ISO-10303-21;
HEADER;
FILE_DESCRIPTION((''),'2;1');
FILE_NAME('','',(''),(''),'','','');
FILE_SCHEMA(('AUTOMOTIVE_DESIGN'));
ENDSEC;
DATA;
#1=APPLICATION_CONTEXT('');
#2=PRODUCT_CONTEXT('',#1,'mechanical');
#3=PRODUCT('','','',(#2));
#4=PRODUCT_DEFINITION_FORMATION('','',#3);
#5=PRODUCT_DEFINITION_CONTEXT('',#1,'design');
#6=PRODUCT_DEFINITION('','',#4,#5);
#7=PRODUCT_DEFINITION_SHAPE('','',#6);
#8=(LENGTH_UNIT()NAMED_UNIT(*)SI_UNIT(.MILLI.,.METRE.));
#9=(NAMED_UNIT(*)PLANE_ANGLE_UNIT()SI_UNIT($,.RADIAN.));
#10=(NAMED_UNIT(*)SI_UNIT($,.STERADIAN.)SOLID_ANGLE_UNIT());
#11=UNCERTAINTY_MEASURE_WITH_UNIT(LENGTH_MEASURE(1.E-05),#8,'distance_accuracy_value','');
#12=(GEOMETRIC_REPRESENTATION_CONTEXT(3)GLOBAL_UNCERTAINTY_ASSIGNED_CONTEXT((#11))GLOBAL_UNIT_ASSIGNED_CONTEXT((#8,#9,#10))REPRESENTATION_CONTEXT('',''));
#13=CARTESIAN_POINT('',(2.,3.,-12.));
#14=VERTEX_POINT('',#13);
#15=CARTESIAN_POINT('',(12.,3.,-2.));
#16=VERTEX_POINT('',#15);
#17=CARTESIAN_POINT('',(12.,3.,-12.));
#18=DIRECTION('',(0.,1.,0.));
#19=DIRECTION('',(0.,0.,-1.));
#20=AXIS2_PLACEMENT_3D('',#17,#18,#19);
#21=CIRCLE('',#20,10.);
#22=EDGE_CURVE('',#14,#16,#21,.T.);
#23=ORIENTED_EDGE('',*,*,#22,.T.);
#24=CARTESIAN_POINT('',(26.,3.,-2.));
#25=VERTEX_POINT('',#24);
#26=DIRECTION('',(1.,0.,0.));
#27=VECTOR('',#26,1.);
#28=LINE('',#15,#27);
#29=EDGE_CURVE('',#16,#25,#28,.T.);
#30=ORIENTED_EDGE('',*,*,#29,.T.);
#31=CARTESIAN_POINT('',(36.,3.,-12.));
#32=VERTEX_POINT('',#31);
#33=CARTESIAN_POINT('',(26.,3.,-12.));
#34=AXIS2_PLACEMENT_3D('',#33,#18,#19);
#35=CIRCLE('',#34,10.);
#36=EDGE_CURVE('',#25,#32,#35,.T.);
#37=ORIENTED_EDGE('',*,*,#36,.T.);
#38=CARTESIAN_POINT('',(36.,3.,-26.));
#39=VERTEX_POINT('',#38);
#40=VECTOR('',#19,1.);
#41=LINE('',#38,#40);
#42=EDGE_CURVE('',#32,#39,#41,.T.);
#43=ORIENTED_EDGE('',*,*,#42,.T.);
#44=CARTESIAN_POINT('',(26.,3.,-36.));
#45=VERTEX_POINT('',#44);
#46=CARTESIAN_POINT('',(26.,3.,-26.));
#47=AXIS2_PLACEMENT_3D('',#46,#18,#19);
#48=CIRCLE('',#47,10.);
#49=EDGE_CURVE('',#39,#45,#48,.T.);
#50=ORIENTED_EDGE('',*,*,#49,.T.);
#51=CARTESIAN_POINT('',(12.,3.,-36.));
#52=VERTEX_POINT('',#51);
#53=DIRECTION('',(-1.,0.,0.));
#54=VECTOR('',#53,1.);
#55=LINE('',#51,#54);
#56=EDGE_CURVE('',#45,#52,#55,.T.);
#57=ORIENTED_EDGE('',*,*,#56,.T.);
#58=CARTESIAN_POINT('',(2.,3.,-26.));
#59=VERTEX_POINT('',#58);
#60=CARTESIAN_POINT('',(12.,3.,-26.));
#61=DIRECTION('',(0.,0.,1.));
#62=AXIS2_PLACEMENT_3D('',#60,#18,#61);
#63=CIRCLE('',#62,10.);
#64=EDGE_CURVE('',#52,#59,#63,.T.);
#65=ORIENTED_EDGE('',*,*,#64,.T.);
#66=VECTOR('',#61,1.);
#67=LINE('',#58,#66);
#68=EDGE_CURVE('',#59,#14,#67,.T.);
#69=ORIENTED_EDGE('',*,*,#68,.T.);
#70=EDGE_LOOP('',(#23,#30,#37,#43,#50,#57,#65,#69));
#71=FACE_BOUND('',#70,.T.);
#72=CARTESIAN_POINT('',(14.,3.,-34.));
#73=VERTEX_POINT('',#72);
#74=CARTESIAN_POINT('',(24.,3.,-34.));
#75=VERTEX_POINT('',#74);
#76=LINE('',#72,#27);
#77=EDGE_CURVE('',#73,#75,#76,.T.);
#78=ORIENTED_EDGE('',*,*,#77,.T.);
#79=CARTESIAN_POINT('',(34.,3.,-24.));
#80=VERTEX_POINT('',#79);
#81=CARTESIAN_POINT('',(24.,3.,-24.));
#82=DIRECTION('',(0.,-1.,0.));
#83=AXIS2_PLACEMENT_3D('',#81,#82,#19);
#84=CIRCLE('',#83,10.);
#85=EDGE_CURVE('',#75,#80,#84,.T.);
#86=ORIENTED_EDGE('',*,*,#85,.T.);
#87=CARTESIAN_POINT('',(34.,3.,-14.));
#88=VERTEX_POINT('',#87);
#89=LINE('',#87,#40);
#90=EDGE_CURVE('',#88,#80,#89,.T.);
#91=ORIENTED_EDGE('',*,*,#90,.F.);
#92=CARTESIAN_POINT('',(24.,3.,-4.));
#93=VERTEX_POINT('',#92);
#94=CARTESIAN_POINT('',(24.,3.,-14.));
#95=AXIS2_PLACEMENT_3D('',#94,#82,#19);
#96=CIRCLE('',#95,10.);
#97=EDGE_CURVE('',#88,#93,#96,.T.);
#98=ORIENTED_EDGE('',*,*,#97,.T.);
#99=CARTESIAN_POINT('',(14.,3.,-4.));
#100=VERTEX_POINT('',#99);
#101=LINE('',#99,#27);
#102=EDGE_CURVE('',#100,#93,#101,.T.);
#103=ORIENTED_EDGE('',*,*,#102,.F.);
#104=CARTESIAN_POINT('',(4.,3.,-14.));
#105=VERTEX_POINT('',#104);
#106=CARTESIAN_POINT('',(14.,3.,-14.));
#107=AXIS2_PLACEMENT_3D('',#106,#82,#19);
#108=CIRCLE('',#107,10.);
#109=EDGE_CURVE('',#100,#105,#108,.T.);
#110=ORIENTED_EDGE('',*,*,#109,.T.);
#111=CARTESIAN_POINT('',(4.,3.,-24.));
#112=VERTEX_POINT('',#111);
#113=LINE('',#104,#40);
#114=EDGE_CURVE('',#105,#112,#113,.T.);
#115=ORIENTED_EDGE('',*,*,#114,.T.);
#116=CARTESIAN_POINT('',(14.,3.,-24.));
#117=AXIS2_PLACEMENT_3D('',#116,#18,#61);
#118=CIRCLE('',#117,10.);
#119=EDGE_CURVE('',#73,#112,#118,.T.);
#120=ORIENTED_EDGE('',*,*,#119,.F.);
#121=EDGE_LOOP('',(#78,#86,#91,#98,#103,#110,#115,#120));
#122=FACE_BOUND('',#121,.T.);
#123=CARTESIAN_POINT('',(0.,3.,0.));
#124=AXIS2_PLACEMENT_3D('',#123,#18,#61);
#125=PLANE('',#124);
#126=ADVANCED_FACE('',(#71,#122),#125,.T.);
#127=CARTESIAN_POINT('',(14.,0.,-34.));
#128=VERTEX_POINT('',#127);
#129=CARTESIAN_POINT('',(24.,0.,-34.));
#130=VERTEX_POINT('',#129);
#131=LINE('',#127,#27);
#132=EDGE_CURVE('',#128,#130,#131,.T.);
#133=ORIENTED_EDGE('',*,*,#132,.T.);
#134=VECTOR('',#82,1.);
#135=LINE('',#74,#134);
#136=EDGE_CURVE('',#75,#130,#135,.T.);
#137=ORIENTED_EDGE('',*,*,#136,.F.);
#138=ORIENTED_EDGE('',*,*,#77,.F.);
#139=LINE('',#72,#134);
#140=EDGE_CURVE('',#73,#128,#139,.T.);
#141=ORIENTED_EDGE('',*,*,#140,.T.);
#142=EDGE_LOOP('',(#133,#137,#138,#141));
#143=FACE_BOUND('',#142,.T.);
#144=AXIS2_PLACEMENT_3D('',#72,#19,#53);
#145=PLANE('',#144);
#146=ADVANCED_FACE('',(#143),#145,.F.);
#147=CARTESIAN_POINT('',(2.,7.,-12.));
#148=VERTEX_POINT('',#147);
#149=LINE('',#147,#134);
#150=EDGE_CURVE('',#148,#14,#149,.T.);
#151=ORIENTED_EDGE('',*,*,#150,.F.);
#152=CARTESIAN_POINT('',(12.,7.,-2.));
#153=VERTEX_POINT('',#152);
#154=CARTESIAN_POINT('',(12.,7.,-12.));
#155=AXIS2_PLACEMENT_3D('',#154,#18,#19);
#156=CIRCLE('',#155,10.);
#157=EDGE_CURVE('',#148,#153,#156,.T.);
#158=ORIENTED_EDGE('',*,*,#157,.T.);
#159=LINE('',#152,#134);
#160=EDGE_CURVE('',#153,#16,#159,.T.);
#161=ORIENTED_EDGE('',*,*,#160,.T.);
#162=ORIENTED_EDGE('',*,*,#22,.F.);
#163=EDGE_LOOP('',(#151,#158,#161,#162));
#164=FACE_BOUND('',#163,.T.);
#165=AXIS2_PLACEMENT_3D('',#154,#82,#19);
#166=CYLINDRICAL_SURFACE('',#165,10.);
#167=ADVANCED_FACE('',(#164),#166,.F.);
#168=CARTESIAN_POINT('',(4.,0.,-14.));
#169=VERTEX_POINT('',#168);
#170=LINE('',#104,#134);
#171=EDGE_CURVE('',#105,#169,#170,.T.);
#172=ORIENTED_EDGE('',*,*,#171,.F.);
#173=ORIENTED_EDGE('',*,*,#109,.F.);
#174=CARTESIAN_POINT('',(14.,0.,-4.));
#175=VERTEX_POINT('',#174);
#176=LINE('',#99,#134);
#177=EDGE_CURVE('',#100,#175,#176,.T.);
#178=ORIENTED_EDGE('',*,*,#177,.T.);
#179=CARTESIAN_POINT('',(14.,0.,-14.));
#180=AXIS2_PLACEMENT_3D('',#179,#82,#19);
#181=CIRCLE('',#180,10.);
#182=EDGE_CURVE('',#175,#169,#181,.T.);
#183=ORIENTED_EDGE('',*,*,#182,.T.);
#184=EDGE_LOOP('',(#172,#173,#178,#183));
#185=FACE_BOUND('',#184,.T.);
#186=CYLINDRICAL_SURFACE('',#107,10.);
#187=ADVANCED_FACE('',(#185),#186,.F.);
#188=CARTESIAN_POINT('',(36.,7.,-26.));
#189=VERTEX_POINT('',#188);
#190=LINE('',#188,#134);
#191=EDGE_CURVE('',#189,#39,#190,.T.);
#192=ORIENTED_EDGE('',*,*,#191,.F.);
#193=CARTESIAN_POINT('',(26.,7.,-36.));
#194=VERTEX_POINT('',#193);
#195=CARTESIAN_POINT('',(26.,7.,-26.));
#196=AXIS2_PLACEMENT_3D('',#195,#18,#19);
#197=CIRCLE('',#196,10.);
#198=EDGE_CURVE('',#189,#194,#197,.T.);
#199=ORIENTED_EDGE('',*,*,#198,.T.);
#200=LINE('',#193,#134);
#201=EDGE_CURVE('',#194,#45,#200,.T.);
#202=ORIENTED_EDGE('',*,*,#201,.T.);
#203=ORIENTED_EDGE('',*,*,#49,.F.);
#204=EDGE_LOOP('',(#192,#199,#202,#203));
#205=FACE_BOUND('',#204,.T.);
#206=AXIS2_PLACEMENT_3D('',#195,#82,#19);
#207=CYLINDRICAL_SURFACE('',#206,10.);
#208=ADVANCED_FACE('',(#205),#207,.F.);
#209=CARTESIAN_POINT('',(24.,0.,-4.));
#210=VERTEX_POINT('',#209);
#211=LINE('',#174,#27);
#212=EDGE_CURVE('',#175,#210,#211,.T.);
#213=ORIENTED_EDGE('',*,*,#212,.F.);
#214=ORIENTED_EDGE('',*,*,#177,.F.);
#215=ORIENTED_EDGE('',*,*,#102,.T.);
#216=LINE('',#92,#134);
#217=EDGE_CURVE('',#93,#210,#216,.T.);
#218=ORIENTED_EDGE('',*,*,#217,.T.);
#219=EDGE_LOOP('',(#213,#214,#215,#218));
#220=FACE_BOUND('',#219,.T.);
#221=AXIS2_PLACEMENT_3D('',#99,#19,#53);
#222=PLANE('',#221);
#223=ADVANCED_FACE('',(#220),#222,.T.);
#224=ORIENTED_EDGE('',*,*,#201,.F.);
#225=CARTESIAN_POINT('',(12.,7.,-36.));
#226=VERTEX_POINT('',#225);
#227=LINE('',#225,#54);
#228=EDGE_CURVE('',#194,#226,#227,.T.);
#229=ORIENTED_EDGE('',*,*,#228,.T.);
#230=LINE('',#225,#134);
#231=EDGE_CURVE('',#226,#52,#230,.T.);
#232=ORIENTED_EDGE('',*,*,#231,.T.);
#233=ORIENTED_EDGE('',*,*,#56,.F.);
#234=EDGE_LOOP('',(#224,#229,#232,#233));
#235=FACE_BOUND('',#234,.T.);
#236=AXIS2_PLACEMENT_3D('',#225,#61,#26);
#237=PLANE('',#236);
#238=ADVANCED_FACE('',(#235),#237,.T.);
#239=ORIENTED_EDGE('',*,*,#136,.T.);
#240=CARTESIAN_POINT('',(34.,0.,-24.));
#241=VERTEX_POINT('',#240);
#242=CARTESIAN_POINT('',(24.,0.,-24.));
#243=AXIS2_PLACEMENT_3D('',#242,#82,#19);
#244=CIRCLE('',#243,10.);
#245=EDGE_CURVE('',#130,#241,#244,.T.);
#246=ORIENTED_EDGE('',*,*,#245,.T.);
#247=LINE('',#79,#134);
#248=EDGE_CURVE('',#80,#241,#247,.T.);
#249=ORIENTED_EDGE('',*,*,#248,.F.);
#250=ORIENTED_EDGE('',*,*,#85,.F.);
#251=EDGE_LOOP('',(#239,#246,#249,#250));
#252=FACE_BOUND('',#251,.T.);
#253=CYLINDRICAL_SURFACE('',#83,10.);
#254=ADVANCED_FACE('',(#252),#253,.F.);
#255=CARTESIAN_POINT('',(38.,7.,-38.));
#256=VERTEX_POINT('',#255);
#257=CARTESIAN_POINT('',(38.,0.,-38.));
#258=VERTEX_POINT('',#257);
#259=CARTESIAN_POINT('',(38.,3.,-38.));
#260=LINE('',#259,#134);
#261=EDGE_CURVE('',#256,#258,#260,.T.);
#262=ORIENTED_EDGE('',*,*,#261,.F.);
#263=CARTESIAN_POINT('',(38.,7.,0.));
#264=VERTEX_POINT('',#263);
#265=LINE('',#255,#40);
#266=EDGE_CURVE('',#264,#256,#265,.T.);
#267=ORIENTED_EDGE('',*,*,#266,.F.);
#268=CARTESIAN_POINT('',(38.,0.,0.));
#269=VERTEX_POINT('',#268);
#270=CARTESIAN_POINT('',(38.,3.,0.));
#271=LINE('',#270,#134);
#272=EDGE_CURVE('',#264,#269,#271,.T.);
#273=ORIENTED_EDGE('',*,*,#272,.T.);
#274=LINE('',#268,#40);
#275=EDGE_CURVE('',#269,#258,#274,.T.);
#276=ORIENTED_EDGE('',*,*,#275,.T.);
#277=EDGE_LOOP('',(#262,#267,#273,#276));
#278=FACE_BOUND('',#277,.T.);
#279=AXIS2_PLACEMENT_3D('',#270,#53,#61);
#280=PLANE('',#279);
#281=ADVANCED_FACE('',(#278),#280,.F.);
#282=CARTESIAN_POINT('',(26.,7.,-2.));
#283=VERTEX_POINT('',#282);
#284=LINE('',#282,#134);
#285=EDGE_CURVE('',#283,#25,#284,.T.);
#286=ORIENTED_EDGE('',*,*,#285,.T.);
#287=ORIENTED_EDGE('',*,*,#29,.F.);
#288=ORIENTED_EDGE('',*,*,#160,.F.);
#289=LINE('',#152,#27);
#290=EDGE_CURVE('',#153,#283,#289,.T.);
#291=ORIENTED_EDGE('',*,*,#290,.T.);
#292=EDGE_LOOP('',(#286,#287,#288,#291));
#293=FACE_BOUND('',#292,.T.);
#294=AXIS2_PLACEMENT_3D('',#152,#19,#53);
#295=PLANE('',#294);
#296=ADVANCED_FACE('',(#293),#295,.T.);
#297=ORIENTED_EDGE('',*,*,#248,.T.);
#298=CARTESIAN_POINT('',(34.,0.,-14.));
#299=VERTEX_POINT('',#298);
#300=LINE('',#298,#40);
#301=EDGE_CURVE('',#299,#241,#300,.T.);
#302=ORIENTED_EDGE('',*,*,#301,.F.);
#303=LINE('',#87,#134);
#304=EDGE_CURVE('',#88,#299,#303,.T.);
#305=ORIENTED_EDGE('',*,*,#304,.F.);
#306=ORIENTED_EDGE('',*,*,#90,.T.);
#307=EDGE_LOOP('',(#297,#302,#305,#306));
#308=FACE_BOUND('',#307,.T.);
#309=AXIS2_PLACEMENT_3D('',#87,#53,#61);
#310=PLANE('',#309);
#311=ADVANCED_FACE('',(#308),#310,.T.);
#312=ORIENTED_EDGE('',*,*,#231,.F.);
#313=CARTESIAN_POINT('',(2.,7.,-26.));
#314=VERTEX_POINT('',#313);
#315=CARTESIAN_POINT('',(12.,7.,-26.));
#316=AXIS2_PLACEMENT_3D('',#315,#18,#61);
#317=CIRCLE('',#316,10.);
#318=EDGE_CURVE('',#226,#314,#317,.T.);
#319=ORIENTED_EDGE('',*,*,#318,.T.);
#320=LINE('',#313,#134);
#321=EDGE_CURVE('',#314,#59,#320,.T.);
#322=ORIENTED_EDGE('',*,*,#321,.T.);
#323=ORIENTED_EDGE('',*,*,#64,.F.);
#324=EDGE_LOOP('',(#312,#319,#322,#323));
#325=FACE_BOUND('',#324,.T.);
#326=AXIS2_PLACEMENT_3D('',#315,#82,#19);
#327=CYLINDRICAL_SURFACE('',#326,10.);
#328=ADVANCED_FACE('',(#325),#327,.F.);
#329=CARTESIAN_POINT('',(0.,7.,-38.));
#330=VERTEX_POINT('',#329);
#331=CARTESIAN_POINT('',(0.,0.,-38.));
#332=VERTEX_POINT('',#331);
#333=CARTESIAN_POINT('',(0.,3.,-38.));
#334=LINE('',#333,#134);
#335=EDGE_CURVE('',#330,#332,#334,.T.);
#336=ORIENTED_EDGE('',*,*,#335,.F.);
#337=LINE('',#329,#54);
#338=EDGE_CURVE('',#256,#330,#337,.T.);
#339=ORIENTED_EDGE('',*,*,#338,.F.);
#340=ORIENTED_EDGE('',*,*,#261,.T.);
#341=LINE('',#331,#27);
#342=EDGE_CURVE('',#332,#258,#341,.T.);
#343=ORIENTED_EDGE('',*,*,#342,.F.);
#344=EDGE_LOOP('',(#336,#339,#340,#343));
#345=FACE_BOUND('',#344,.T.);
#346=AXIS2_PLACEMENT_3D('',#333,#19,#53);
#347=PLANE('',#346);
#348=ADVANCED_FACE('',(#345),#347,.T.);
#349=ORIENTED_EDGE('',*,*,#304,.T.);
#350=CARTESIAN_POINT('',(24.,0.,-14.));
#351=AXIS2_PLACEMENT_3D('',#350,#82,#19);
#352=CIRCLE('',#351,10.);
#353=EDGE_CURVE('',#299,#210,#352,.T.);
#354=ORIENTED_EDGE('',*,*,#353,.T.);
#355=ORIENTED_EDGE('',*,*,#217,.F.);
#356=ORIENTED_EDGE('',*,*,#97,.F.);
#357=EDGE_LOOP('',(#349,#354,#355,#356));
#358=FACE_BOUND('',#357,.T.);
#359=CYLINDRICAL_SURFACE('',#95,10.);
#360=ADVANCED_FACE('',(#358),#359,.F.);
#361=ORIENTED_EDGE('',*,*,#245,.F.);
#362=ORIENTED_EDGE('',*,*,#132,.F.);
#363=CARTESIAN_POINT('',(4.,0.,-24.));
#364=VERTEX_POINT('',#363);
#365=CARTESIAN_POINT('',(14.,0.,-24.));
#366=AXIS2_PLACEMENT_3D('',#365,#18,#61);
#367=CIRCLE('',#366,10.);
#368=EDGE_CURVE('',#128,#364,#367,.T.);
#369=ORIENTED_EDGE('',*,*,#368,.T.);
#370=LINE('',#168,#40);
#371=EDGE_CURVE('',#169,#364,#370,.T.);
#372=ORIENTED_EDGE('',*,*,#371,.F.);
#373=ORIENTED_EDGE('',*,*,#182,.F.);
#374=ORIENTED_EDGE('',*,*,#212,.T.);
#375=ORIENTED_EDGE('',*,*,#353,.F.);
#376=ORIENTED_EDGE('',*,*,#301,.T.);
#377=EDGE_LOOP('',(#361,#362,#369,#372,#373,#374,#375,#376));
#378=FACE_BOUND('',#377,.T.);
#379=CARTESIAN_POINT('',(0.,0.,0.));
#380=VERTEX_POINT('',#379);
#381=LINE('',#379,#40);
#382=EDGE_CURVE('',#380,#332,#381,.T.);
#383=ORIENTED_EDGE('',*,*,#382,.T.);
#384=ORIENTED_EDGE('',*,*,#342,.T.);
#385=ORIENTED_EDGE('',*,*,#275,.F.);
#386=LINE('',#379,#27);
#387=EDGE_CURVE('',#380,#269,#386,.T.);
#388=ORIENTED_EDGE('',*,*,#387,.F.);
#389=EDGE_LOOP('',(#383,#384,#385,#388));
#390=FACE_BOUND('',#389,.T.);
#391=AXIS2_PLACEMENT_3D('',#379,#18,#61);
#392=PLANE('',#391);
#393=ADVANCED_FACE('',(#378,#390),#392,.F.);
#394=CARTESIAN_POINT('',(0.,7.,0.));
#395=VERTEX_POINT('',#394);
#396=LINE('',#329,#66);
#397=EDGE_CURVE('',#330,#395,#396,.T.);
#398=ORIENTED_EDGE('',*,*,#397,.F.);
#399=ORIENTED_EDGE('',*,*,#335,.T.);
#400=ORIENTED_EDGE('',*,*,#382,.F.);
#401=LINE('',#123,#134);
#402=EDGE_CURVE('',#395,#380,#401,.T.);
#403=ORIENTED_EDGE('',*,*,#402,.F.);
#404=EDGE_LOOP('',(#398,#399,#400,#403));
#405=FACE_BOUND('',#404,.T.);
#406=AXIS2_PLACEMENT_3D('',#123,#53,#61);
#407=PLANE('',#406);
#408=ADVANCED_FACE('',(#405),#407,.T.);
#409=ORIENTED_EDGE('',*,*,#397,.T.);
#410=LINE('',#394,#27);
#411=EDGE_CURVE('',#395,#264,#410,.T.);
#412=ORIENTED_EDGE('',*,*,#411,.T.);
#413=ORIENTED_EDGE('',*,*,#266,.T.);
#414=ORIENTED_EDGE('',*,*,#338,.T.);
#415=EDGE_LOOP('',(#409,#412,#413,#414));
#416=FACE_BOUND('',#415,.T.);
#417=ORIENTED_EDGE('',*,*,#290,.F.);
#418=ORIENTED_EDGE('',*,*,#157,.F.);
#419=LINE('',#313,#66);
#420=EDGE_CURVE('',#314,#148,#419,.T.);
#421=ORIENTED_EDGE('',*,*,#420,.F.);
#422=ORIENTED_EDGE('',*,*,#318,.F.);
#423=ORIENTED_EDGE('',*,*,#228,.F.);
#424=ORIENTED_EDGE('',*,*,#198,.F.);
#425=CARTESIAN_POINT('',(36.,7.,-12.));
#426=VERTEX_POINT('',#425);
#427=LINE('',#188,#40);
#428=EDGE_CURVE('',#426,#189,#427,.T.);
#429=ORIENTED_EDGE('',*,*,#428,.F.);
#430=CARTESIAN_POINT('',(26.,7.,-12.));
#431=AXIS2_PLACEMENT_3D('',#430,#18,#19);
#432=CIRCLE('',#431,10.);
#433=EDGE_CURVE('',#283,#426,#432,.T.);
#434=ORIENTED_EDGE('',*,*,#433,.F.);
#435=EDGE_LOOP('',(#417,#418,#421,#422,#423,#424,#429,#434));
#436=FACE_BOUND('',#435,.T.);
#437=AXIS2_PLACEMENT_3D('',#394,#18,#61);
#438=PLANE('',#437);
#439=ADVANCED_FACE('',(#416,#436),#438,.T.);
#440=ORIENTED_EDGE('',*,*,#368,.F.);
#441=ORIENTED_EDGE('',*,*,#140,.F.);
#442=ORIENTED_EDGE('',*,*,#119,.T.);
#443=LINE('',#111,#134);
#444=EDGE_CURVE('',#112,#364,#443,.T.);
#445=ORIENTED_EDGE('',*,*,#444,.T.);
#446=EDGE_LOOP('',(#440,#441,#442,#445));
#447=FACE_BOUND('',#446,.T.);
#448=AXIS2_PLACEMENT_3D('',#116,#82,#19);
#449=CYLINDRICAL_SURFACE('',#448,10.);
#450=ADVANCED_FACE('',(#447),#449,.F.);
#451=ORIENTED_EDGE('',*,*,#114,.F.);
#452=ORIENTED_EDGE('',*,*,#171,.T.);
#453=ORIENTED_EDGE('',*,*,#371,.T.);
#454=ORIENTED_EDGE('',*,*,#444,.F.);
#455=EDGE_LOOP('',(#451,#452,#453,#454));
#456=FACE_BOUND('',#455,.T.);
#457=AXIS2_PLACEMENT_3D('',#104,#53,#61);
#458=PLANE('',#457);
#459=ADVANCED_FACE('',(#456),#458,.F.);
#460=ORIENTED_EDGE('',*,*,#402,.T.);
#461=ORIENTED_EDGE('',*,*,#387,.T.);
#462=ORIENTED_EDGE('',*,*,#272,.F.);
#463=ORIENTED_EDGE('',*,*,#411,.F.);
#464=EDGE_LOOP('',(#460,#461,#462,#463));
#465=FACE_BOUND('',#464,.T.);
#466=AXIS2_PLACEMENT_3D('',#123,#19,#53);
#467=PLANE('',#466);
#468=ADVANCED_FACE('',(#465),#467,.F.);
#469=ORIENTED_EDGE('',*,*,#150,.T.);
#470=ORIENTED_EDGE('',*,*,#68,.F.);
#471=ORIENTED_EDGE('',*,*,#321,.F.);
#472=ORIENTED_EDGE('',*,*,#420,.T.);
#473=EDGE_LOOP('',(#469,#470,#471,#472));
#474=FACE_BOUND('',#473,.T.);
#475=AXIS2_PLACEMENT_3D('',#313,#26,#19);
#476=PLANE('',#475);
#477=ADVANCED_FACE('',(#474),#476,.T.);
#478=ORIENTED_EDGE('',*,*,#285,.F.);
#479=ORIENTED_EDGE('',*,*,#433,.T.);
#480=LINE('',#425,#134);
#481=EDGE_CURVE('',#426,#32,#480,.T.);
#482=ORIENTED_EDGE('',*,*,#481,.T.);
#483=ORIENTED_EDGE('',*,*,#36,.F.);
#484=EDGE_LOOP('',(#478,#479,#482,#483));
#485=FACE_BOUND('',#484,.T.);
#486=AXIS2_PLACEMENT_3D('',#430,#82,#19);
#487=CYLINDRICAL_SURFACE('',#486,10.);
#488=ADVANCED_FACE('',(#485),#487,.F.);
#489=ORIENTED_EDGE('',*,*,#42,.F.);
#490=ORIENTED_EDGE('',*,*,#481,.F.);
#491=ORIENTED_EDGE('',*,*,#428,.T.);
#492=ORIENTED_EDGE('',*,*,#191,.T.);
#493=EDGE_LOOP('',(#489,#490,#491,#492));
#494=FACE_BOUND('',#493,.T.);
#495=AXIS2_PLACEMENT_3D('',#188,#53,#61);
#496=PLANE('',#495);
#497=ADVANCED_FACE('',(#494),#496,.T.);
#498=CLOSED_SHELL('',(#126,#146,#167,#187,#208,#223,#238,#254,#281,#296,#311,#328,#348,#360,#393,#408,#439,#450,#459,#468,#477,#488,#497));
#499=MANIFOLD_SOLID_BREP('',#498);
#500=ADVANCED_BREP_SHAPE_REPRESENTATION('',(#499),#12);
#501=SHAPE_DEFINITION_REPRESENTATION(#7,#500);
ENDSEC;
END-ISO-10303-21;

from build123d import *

# Parameters (mm, degrees)
SKETCH1_W           = 38
SKETCH1_H           = 38
BOSS_EXTRUDE1_DEPTH = 3
SKETCH2_W           = 38
SKETCH2_H           = 38
BOSS_EXTRUDE2_DEPTH = 4


with BuildPart() as part:
    # Sketch1 → Boss-Extrude1 (new body)
    with BuildSketch(Plane(origin=(0, 0, 0), x_dir=(1, 0, 0), z_dir=(0, 1, 0))):
        with Locations((19, 19)):
            Rectangle(SKETCH1_W, SKETCH1_H)
        with BuildLine():
            Line((14, 34), (24, 34))
            ThreePointArc((24, 34), (31.071067812, 31.071067812), (34, 24))
            Line((34, 24), (34, 14))
            ThreePointArc((34, 14), (31.071067812, 6.928932188), (24, 4))
            Line((24, 4), (14, 4))
            ThreePointArc((14, 4), (6.928932188, 6.928932188), (4, 14))
            Line((4, 14), (4, 24))
            ThreePointArc((4, 24), (6.928932188, 31.071067812), (14, 34))
        make_face(mode=Mode.SUBTRACT)
    extrude(amount=BOSS_EXTRUDE1_DEPTH)

    # Sketch2 → Boss-Extrude2 (add)
    with BuildSketch(Plane(origin=(0, 3, 0), x_dir=(1, 0, 0), z_dir=(0, 1, 0))):
        with Locations((19, 19)):
            Rectangle(SKETCH2_W, SKETCH2_H)
        with BuildLine():
            Line((12, 36), (26, 36))
            ThreePointArc((26, 36), (33.071067812, 33.071067812), (36, 26))
            Line((36, 26), (36, 12))
            ThreePointArc((36, 12), (33.071067812, 4.928932188), (26, 2))
            Line((26, 2), (12, 2))
            ThreePointArc((12, 2), (4.928932188, 4.928932188), (2, 12))
            Line((2, 12), (2, 26))
            ThreePointArc((2, 26), (4.928932188, 33.071067812), (12, 36))
        make_face(mode=Mode.SUBTRACT)
    extrude(amount=BOSS_EXTRUDE2_DEPTH)


solid = part.part
